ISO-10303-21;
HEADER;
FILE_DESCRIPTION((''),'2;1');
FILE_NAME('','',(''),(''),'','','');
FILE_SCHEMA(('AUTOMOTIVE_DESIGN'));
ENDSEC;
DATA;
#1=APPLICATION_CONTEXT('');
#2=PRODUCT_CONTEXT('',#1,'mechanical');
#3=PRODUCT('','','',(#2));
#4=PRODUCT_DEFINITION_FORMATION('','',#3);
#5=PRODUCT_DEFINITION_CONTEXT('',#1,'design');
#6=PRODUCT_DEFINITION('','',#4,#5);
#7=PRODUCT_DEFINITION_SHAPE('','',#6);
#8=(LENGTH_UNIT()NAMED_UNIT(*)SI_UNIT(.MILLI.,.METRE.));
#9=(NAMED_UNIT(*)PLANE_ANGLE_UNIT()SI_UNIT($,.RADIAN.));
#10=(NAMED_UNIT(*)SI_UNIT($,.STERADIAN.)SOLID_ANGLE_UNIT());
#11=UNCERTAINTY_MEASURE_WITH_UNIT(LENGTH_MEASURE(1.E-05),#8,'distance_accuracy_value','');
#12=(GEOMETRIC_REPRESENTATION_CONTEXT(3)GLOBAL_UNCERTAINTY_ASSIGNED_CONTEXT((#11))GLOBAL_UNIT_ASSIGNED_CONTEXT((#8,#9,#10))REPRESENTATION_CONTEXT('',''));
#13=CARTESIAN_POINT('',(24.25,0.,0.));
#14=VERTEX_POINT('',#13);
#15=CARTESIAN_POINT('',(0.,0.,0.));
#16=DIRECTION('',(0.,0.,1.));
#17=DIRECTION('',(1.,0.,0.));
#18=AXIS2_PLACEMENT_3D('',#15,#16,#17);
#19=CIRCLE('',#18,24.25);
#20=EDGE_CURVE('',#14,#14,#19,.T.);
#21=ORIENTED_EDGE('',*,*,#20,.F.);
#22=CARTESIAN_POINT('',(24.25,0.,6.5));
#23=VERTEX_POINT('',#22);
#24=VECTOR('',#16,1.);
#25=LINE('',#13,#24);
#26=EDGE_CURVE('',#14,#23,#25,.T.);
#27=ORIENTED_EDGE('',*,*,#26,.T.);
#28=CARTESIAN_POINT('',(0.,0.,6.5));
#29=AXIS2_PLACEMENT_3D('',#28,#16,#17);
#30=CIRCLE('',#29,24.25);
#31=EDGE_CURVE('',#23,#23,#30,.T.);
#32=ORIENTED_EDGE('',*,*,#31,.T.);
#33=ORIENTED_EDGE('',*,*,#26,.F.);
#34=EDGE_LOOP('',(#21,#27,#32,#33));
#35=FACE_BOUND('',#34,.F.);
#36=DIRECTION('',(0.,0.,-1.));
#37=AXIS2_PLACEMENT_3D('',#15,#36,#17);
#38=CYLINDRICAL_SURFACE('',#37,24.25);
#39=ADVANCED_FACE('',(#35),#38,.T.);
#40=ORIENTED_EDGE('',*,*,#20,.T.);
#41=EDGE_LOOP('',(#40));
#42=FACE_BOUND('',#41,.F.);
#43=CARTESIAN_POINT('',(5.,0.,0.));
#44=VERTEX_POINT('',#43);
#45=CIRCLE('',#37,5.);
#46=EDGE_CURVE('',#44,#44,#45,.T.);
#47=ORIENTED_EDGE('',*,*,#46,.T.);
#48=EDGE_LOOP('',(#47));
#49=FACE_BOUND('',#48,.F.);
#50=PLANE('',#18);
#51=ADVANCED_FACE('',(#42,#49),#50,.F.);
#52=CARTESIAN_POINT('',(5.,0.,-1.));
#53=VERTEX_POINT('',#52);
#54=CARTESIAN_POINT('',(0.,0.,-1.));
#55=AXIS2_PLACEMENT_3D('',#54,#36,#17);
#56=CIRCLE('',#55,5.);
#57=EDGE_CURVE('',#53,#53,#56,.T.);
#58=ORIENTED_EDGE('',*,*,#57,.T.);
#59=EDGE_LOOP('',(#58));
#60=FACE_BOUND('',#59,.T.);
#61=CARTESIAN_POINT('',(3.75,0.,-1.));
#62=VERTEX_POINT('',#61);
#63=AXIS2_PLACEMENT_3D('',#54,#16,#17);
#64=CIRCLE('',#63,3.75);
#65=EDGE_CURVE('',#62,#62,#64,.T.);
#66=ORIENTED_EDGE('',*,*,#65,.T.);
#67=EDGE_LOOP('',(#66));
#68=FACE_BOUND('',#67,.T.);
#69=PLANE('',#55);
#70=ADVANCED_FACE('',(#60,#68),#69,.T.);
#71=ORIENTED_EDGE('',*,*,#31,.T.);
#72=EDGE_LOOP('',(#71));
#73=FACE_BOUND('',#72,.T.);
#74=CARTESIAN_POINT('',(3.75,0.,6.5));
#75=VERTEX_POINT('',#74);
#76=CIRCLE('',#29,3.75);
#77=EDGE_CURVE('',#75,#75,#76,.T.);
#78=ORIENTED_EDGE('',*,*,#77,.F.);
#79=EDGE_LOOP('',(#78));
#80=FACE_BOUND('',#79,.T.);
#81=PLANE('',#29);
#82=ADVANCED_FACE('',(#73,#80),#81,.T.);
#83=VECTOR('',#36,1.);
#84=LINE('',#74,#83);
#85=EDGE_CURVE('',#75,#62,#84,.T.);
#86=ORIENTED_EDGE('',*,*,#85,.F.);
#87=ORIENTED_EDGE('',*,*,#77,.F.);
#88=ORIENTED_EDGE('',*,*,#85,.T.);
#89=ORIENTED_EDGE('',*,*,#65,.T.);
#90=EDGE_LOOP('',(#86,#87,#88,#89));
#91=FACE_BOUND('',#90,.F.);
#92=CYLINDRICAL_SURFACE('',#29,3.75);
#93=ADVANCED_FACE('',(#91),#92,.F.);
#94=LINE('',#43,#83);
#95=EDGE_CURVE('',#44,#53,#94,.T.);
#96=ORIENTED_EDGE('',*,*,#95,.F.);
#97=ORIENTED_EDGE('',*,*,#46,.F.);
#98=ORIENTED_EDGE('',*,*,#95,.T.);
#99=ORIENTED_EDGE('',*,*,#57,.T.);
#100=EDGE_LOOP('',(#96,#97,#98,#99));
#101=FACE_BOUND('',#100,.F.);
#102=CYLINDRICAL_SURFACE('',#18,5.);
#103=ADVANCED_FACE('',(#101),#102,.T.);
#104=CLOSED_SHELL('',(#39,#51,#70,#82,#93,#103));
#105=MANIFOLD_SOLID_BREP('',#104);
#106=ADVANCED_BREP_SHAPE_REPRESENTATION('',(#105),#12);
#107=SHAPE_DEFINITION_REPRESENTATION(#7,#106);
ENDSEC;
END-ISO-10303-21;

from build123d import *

# Parameters (mm, degrees)
SKETCH_R     = 24.25
PAD_DEPTH    = 6.5
SKETCH003_R  = 5
PAD002_DEPTH = 1
SKETCH004_R  = 3.75
HOLE_DEPTH   = 7.501


with BuildPart() as part:
    # Sketch → Pad (new body)
    with BuildSketch(Plane.XY):
        Circle(SKETCH_R)
    extrude(amount=PAD_DEPTH)

    # Sketch003 → Pad002 (join)
    with BuildSketch(Plane(origin=(0, 0, 0), x_dir=(1, 0, 0), z_dir=(0, 0, -1))):
        Circle(SKETCH003_R)
    extrude(amount=PAD002_DEPTH)

    # Sketch004 (on Face3 of Pad002) → Hole (cut, through all)
    with BuildSketch(Plane.XY.offset(6.5)):
        Circle(SKETCH004_R)
    extrude(amount=-HOLE_DEPTH, mode=Mode.SUBTRACT)


solid = part.part
